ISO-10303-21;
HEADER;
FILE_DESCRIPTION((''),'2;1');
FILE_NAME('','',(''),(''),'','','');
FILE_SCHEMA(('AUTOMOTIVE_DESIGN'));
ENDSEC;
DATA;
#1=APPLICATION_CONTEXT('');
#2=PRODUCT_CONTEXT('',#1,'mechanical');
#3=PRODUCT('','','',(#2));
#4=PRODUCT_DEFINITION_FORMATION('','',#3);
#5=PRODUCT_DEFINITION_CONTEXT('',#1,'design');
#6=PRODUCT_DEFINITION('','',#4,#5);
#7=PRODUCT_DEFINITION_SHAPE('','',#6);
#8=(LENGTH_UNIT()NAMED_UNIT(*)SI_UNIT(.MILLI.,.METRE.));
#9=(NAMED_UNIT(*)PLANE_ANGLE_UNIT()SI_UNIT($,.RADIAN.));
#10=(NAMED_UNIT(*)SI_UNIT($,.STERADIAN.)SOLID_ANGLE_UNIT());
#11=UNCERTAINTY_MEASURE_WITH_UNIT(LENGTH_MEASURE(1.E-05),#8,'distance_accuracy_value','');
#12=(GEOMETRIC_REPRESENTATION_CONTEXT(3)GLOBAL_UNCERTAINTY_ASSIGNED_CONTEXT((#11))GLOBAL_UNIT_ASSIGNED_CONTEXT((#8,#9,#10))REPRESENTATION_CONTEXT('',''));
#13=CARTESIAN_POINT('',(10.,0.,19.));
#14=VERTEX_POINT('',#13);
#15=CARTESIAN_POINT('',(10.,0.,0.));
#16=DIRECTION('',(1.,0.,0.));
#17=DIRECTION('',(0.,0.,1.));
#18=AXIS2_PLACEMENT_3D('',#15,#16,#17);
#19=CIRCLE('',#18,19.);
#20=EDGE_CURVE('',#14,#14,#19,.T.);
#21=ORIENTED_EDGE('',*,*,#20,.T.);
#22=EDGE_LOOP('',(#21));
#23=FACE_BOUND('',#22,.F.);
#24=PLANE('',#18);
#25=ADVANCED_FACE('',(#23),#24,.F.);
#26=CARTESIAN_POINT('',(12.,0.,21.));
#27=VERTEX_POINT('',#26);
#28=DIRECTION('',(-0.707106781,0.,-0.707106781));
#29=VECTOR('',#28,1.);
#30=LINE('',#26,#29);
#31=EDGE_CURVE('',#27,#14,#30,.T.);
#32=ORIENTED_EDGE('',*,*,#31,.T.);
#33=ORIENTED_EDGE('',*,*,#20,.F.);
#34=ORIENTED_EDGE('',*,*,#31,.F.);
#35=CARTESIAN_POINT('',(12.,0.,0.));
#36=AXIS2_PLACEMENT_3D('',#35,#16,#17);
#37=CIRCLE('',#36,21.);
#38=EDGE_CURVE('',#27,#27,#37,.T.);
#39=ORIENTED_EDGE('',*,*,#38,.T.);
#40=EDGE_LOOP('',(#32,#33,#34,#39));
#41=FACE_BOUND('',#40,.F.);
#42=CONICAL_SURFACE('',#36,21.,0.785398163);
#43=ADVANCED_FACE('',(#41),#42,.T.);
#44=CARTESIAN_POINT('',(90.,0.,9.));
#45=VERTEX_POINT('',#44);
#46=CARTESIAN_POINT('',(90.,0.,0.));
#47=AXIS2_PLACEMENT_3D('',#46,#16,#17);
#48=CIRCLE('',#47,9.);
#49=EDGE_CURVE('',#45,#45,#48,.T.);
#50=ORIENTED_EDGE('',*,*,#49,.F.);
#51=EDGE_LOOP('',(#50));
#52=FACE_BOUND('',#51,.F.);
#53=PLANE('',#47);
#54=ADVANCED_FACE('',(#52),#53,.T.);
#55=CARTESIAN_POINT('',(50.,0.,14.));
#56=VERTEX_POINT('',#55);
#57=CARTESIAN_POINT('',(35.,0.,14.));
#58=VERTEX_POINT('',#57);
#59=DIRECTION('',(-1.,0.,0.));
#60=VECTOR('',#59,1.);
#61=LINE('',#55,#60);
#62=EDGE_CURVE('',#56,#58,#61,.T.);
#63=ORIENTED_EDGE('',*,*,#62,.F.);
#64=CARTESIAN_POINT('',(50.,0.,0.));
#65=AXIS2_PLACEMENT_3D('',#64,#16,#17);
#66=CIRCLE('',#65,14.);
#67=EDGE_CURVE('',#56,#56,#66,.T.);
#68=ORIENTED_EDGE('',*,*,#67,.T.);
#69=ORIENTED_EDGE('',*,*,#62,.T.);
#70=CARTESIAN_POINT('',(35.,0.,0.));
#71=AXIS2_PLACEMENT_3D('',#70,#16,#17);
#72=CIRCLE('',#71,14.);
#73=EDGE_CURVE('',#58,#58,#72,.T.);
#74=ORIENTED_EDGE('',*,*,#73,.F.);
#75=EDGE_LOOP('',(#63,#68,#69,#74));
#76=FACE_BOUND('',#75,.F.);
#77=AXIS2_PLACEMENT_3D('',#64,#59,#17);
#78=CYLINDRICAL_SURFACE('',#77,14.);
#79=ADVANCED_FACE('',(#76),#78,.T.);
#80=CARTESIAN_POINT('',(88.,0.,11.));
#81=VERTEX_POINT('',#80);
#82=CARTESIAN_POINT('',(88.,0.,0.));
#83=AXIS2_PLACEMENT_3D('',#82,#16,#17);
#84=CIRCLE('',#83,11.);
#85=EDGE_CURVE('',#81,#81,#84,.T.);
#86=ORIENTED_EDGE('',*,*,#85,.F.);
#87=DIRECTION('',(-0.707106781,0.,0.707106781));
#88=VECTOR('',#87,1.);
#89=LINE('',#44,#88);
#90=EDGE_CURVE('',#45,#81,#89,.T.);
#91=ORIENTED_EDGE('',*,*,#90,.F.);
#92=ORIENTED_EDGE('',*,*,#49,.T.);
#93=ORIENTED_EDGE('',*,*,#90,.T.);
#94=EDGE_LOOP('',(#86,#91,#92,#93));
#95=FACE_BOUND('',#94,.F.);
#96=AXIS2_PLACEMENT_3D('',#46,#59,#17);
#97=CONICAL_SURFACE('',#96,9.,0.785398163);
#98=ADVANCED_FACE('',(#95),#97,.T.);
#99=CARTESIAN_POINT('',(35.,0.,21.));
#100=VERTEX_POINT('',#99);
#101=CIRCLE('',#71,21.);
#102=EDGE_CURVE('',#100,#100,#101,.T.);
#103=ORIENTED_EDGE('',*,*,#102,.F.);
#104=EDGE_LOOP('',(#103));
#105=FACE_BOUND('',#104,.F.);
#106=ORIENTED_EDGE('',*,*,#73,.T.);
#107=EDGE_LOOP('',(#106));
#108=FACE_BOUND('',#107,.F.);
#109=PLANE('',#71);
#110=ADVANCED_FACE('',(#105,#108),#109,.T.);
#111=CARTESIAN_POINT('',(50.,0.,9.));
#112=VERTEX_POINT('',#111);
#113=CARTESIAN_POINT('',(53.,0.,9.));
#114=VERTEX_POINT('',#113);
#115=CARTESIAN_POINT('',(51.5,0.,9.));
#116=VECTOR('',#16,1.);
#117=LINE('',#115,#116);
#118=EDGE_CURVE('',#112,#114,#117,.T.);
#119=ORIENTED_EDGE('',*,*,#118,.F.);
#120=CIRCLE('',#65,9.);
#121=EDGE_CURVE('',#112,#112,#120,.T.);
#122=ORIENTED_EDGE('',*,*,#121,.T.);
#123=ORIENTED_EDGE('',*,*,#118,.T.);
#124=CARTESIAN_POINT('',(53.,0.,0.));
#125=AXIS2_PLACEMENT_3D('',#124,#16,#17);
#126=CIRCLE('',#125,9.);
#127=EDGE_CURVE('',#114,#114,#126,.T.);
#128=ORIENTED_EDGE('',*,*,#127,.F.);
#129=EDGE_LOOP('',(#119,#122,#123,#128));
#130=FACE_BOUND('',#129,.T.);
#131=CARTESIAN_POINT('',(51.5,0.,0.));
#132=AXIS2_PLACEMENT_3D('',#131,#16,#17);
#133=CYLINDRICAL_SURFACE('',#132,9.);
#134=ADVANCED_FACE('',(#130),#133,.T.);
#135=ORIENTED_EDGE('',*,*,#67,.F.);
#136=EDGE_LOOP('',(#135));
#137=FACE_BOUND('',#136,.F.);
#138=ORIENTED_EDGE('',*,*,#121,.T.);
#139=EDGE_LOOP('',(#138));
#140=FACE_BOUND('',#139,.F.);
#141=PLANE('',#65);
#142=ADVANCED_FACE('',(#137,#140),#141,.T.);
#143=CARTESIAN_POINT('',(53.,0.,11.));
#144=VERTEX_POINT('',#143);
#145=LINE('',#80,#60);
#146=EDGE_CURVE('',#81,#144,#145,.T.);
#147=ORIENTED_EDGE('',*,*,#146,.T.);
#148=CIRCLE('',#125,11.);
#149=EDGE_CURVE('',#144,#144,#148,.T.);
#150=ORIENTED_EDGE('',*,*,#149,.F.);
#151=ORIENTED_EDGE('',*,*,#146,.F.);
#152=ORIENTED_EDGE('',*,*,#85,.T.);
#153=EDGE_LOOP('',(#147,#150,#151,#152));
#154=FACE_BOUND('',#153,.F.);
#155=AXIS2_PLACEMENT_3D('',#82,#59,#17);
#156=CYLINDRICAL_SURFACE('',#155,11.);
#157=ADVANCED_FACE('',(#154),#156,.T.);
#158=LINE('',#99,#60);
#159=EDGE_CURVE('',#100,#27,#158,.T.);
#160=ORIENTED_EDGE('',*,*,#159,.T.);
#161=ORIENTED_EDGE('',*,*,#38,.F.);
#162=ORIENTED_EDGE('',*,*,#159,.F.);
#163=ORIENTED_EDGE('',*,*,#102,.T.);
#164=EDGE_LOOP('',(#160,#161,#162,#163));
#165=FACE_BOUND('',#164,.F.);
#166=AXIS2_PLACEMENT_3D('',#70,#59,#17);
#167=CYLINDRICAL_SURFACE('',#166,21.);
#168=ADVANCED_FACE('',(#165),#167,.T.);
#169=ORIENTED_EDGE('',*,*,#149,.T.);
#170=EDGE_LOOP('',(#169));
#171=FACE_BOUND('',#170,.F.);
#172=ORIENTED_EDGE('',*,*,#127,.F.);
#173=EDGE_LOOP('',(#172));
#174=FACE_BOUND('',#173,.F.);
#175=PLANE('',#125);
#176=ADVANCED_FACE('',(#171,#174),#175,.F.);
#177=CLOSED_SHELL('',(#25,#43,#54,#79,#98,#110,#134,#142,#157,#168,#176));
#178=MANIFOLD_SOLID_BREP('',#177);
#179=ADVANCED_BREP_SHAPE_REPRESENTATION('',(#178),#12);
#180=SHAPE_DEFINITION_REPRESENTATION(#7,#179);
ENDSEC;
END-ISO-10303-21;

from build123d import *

# Parameters (mm, degrees)
F0_W = 3
F0_H = 9


with BuildPart() as f1:
    # F0 (on Front) → F1 (revolve)
    with BuildSketch(Plane.XZ):
        Polygon((10, 19), (10, 0), (12, 0), (12, 21), align=None)
        Polygon((12, 21), (12, 0), (35, 0), (35, 14), (35, 21), align=None)
        Polygon((35, 14), (35, 0), (50, 0), (50, 9), (50, 14), align=None)
        with Locations((51.5, 4.5)):
            Rectangle(F0_W, F0_H)
        Polygon((53, 9), (53, 0), (88, 0), (88, 11), (53, 11), align=None)
        Polygon((88, 11), (88, 0), (90, 0), (90, 9), align=None)
    revolve(axis=Axis((64.656497, 0, 0), (1, 0, 0)))


solid = f1.part
